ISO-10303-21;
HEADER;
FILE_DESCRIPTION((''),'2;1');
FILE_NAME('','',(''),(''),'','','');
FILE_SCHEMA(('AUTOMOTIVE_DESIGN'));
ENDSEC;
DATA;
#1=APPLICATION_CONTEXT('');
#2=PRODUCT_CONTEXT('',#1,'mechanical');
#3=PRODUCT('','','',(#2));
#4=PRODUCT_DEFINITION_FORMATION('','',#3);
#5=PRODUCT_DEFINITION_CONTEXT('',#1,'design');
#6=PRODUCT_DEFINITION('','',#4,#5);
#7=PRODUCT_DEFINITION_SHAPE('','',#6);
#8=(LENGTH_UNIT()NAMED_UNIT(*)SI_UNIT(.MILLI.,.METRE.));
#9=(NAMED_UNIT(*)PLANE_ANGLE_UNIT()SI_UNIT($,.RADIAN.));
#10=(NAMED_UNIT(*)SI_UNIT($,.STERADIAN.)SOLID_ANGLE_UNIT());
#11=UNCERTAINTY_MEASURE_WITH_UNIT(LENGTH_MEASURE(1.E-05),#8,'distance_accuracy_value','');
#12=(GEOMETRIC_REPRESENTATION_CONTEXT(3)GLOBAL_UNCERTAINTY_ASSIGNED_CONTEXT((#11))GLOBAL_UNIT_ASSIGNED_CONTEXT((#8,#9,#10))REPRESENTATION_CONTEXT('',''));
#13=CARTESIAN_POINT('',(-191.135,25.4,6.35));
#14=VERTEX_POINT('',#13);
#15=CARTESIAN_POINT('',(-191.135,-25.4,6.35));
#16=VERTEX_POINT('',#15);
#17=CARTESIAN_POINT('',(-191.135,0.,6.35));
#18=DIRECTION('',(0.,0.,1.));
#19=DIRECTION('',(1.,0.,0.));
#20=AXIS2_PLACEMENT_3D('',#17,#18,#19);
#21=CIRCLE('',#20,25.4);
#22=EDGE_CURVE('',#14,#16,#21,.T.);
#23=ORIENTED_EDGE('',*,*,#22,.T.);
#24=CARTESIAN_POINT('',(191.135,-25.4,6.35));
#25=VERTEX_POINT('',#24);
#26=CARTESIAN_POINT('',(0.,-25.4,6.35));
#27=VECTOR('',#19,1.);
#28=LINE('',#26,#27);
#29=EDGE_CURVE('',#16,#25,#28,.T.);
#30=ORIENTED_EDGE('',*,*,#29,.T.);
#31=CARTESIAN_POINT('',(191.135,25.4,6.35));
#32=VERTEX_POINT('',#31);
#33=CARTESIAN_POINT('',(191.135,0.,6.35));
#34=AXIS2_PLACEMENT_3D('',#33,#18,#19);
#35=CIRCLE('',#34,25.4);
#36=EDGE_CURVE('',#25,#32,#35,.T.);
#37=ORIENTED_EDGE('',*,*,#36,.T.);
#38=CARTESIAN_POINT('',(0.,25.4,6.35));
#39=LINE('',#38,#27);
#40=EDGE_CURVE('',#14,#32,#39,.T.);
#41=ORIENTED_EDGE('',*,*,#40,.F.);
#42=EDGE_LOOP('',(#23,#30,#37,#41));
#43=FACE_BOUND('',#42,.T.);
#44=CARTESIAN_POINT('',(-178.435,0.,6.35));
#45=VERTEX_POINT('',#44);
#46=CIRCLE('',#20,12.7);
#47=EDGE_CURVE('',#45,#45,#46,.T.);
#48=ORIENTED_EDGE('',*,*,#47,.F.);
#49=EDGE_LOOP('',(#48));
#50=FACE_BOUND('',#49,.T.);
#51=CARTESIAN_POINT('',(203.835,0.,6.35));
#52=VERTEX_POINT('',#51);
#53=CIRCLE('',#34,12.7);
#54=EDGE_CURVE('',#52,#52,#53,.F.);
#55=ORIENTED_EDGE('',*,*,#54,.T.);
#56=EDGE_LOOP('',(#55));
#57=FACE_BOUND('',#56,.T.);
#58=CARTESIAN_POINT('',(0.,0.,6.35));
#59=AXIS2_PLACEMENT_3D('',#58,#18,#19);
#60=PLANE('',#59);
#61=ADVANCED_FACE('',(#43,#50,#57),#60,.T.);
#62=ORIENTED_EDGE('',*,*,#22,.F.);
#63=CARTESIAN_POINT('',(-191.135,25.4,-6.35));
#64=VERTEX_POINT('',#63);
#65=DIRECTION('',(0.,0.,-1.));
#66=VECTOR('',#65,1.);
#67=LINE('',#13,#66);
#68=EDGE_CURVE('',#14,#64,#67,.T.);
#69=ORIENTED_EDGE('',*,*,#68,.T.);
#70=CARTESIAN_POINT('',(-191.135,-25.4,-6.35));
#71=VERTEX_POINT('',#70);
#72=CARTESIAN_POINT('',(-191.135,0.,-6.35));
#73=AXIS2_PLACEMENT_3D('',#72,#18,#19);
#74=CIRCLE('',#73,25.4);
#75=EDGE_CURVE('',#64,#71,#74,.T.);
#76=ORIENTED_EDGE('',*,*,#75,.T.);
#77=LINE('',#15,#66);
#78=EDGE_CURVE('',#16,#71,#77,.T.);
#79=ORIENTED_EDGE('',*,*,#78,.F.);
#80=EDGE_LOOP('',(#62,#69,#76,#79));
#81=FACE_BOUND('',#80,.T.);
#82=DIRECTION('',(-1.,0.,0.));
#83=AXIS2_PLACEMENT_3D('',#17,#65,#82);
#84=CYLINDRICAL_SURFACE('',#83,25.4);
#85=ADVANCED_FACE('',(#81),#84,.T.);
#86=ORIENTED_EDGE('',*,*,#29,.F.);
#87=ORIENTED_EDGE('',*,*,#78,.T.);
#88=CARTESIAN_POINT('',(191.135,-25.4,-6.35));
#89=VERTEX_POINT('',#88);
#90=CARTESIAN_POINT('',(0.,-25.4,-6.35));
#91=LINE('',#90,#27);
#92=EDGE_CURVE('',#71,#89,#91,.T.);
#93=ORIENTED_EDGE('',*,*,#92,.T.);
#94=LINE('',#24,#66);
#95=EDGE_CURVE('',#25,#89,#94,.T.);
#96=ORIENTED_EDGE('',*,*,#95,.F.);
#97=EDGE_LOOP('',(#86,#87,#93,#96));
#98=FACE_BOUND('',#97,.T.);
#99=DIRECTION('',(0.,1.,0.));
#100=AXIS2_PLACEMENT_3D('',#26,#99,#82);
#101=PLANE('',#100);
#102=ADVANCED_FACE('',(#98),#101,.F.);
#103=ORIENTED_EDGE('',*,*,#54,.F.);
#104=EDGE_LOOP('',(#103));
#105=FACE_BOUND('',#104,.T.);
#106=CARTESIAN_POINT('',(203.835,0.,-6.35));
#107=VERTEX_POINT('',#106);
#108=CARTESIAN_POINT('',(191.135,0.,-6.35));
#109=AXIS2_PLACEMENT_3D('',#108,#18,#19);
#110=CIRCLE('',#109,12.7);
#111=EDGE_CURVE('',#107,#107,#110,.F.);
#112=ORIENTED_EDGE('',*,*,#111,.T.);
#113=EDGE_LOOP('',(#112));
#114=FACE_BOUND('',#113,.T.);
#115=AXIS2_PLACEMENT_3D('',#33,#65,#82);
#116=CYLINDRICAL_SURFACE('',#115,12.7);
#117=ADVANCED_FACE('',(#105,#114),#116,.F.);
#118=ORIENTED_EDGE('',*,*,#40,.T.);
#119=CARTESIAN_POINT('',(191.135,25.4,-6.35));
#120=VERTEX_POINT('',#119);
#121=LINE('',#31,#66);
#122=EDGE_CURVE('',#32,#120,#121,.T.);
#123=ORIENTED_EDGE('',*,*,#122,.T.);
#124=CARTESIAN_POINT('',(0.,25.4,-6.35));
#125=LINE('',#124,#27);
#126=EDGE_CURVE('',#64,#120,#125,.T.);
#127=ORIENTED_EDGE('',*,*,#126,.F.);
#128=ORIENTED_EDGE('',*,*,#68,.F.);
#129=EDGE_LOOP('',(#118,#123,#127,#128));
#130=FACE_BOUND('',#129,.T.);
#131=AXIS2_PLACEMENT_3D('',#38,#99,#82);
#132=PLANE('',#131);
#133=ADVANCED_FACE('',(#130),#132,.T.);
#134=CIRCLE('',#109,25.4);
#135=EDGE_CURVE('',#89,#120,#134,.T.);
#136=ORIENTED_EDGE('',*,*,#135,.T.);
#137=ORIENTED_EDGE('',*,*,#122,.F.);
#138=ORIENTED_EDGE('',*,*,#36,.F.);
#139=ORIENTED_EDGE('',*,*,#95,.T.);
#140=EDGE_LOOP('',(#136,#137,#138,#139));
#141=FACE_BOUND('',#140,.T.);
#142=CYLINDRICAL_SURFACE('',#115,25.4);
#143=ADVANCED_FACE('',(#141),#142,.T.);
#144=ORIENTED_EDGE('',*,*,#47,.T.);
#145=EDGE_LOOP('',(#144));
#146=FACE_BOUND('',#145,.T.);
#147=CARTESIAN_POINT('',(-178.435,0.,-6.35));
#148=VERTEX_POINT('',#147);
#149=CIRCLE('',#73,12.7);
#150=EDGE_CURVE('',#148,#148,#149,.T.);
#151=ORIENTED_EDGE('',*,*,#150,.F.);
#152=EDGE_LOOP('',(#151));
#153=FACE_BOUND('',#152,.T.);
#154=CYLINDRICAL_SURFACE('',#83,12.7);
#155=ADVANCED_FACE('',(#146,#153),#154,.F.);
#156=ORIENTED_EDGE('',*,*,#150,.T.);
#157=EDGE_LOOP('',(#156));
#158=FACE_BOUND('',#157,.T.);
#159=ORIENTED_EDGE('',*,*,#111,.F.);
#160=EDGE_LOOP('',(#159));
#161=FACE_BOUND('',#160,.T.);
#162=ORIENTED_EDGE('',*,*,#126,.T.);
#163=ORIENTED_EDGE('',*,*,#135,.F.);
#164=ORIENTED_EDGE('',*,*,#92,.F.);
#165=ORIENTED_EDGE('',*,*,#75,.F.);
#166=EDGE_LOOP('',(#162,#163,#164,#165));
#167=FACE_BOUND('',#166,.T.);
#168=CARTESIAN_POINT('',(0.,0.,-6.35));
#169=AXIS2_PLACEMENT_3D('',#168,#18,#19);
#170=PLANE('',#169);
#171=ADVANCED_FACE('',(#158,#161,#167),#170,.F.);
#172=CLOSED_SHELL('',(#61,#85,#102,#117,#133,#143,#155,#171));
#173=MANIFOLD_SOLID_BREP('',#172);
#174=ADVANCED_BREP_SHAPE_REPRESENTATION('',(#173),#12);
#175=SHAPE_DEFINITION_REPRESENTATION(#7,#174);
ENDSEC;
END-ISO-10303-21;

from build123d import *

# Parameters (mm, degrees)
SKETCH1_R           = 12.7
BOSS_EXTRUDE1_DEPTH = 6.35


with BuildPart() as part:
    # Sketch1 → Boss-Extrude1 (new, symmetric)
    with BuildSketch(Plane.XY):
        with BuildLine():
            Line((-191.135, 25.4), (191.135, 25.4))
            ThreePointArc((191.135, 25.4), (216.535, 0), (191.135, -25.4))
            Line((191.135, -25.4), (-191.135, -25.4))
            ThreePointArc((-191.135, -25.4), (-216.535, 0), (-191.135, 25.4))
        make_face()
        with Locations((-191.135, 0)):
            Circle(SKETCH1_R, mode=Mode.SUBTRACT)
        with Locations((191.135, 0)):
            Circle(SKETCH1_R, mode=Mode.SUBTRACT)
    extrude(amount=BOSS_EXTRUDE1_DEPTH, both=True)


solid = part.part
